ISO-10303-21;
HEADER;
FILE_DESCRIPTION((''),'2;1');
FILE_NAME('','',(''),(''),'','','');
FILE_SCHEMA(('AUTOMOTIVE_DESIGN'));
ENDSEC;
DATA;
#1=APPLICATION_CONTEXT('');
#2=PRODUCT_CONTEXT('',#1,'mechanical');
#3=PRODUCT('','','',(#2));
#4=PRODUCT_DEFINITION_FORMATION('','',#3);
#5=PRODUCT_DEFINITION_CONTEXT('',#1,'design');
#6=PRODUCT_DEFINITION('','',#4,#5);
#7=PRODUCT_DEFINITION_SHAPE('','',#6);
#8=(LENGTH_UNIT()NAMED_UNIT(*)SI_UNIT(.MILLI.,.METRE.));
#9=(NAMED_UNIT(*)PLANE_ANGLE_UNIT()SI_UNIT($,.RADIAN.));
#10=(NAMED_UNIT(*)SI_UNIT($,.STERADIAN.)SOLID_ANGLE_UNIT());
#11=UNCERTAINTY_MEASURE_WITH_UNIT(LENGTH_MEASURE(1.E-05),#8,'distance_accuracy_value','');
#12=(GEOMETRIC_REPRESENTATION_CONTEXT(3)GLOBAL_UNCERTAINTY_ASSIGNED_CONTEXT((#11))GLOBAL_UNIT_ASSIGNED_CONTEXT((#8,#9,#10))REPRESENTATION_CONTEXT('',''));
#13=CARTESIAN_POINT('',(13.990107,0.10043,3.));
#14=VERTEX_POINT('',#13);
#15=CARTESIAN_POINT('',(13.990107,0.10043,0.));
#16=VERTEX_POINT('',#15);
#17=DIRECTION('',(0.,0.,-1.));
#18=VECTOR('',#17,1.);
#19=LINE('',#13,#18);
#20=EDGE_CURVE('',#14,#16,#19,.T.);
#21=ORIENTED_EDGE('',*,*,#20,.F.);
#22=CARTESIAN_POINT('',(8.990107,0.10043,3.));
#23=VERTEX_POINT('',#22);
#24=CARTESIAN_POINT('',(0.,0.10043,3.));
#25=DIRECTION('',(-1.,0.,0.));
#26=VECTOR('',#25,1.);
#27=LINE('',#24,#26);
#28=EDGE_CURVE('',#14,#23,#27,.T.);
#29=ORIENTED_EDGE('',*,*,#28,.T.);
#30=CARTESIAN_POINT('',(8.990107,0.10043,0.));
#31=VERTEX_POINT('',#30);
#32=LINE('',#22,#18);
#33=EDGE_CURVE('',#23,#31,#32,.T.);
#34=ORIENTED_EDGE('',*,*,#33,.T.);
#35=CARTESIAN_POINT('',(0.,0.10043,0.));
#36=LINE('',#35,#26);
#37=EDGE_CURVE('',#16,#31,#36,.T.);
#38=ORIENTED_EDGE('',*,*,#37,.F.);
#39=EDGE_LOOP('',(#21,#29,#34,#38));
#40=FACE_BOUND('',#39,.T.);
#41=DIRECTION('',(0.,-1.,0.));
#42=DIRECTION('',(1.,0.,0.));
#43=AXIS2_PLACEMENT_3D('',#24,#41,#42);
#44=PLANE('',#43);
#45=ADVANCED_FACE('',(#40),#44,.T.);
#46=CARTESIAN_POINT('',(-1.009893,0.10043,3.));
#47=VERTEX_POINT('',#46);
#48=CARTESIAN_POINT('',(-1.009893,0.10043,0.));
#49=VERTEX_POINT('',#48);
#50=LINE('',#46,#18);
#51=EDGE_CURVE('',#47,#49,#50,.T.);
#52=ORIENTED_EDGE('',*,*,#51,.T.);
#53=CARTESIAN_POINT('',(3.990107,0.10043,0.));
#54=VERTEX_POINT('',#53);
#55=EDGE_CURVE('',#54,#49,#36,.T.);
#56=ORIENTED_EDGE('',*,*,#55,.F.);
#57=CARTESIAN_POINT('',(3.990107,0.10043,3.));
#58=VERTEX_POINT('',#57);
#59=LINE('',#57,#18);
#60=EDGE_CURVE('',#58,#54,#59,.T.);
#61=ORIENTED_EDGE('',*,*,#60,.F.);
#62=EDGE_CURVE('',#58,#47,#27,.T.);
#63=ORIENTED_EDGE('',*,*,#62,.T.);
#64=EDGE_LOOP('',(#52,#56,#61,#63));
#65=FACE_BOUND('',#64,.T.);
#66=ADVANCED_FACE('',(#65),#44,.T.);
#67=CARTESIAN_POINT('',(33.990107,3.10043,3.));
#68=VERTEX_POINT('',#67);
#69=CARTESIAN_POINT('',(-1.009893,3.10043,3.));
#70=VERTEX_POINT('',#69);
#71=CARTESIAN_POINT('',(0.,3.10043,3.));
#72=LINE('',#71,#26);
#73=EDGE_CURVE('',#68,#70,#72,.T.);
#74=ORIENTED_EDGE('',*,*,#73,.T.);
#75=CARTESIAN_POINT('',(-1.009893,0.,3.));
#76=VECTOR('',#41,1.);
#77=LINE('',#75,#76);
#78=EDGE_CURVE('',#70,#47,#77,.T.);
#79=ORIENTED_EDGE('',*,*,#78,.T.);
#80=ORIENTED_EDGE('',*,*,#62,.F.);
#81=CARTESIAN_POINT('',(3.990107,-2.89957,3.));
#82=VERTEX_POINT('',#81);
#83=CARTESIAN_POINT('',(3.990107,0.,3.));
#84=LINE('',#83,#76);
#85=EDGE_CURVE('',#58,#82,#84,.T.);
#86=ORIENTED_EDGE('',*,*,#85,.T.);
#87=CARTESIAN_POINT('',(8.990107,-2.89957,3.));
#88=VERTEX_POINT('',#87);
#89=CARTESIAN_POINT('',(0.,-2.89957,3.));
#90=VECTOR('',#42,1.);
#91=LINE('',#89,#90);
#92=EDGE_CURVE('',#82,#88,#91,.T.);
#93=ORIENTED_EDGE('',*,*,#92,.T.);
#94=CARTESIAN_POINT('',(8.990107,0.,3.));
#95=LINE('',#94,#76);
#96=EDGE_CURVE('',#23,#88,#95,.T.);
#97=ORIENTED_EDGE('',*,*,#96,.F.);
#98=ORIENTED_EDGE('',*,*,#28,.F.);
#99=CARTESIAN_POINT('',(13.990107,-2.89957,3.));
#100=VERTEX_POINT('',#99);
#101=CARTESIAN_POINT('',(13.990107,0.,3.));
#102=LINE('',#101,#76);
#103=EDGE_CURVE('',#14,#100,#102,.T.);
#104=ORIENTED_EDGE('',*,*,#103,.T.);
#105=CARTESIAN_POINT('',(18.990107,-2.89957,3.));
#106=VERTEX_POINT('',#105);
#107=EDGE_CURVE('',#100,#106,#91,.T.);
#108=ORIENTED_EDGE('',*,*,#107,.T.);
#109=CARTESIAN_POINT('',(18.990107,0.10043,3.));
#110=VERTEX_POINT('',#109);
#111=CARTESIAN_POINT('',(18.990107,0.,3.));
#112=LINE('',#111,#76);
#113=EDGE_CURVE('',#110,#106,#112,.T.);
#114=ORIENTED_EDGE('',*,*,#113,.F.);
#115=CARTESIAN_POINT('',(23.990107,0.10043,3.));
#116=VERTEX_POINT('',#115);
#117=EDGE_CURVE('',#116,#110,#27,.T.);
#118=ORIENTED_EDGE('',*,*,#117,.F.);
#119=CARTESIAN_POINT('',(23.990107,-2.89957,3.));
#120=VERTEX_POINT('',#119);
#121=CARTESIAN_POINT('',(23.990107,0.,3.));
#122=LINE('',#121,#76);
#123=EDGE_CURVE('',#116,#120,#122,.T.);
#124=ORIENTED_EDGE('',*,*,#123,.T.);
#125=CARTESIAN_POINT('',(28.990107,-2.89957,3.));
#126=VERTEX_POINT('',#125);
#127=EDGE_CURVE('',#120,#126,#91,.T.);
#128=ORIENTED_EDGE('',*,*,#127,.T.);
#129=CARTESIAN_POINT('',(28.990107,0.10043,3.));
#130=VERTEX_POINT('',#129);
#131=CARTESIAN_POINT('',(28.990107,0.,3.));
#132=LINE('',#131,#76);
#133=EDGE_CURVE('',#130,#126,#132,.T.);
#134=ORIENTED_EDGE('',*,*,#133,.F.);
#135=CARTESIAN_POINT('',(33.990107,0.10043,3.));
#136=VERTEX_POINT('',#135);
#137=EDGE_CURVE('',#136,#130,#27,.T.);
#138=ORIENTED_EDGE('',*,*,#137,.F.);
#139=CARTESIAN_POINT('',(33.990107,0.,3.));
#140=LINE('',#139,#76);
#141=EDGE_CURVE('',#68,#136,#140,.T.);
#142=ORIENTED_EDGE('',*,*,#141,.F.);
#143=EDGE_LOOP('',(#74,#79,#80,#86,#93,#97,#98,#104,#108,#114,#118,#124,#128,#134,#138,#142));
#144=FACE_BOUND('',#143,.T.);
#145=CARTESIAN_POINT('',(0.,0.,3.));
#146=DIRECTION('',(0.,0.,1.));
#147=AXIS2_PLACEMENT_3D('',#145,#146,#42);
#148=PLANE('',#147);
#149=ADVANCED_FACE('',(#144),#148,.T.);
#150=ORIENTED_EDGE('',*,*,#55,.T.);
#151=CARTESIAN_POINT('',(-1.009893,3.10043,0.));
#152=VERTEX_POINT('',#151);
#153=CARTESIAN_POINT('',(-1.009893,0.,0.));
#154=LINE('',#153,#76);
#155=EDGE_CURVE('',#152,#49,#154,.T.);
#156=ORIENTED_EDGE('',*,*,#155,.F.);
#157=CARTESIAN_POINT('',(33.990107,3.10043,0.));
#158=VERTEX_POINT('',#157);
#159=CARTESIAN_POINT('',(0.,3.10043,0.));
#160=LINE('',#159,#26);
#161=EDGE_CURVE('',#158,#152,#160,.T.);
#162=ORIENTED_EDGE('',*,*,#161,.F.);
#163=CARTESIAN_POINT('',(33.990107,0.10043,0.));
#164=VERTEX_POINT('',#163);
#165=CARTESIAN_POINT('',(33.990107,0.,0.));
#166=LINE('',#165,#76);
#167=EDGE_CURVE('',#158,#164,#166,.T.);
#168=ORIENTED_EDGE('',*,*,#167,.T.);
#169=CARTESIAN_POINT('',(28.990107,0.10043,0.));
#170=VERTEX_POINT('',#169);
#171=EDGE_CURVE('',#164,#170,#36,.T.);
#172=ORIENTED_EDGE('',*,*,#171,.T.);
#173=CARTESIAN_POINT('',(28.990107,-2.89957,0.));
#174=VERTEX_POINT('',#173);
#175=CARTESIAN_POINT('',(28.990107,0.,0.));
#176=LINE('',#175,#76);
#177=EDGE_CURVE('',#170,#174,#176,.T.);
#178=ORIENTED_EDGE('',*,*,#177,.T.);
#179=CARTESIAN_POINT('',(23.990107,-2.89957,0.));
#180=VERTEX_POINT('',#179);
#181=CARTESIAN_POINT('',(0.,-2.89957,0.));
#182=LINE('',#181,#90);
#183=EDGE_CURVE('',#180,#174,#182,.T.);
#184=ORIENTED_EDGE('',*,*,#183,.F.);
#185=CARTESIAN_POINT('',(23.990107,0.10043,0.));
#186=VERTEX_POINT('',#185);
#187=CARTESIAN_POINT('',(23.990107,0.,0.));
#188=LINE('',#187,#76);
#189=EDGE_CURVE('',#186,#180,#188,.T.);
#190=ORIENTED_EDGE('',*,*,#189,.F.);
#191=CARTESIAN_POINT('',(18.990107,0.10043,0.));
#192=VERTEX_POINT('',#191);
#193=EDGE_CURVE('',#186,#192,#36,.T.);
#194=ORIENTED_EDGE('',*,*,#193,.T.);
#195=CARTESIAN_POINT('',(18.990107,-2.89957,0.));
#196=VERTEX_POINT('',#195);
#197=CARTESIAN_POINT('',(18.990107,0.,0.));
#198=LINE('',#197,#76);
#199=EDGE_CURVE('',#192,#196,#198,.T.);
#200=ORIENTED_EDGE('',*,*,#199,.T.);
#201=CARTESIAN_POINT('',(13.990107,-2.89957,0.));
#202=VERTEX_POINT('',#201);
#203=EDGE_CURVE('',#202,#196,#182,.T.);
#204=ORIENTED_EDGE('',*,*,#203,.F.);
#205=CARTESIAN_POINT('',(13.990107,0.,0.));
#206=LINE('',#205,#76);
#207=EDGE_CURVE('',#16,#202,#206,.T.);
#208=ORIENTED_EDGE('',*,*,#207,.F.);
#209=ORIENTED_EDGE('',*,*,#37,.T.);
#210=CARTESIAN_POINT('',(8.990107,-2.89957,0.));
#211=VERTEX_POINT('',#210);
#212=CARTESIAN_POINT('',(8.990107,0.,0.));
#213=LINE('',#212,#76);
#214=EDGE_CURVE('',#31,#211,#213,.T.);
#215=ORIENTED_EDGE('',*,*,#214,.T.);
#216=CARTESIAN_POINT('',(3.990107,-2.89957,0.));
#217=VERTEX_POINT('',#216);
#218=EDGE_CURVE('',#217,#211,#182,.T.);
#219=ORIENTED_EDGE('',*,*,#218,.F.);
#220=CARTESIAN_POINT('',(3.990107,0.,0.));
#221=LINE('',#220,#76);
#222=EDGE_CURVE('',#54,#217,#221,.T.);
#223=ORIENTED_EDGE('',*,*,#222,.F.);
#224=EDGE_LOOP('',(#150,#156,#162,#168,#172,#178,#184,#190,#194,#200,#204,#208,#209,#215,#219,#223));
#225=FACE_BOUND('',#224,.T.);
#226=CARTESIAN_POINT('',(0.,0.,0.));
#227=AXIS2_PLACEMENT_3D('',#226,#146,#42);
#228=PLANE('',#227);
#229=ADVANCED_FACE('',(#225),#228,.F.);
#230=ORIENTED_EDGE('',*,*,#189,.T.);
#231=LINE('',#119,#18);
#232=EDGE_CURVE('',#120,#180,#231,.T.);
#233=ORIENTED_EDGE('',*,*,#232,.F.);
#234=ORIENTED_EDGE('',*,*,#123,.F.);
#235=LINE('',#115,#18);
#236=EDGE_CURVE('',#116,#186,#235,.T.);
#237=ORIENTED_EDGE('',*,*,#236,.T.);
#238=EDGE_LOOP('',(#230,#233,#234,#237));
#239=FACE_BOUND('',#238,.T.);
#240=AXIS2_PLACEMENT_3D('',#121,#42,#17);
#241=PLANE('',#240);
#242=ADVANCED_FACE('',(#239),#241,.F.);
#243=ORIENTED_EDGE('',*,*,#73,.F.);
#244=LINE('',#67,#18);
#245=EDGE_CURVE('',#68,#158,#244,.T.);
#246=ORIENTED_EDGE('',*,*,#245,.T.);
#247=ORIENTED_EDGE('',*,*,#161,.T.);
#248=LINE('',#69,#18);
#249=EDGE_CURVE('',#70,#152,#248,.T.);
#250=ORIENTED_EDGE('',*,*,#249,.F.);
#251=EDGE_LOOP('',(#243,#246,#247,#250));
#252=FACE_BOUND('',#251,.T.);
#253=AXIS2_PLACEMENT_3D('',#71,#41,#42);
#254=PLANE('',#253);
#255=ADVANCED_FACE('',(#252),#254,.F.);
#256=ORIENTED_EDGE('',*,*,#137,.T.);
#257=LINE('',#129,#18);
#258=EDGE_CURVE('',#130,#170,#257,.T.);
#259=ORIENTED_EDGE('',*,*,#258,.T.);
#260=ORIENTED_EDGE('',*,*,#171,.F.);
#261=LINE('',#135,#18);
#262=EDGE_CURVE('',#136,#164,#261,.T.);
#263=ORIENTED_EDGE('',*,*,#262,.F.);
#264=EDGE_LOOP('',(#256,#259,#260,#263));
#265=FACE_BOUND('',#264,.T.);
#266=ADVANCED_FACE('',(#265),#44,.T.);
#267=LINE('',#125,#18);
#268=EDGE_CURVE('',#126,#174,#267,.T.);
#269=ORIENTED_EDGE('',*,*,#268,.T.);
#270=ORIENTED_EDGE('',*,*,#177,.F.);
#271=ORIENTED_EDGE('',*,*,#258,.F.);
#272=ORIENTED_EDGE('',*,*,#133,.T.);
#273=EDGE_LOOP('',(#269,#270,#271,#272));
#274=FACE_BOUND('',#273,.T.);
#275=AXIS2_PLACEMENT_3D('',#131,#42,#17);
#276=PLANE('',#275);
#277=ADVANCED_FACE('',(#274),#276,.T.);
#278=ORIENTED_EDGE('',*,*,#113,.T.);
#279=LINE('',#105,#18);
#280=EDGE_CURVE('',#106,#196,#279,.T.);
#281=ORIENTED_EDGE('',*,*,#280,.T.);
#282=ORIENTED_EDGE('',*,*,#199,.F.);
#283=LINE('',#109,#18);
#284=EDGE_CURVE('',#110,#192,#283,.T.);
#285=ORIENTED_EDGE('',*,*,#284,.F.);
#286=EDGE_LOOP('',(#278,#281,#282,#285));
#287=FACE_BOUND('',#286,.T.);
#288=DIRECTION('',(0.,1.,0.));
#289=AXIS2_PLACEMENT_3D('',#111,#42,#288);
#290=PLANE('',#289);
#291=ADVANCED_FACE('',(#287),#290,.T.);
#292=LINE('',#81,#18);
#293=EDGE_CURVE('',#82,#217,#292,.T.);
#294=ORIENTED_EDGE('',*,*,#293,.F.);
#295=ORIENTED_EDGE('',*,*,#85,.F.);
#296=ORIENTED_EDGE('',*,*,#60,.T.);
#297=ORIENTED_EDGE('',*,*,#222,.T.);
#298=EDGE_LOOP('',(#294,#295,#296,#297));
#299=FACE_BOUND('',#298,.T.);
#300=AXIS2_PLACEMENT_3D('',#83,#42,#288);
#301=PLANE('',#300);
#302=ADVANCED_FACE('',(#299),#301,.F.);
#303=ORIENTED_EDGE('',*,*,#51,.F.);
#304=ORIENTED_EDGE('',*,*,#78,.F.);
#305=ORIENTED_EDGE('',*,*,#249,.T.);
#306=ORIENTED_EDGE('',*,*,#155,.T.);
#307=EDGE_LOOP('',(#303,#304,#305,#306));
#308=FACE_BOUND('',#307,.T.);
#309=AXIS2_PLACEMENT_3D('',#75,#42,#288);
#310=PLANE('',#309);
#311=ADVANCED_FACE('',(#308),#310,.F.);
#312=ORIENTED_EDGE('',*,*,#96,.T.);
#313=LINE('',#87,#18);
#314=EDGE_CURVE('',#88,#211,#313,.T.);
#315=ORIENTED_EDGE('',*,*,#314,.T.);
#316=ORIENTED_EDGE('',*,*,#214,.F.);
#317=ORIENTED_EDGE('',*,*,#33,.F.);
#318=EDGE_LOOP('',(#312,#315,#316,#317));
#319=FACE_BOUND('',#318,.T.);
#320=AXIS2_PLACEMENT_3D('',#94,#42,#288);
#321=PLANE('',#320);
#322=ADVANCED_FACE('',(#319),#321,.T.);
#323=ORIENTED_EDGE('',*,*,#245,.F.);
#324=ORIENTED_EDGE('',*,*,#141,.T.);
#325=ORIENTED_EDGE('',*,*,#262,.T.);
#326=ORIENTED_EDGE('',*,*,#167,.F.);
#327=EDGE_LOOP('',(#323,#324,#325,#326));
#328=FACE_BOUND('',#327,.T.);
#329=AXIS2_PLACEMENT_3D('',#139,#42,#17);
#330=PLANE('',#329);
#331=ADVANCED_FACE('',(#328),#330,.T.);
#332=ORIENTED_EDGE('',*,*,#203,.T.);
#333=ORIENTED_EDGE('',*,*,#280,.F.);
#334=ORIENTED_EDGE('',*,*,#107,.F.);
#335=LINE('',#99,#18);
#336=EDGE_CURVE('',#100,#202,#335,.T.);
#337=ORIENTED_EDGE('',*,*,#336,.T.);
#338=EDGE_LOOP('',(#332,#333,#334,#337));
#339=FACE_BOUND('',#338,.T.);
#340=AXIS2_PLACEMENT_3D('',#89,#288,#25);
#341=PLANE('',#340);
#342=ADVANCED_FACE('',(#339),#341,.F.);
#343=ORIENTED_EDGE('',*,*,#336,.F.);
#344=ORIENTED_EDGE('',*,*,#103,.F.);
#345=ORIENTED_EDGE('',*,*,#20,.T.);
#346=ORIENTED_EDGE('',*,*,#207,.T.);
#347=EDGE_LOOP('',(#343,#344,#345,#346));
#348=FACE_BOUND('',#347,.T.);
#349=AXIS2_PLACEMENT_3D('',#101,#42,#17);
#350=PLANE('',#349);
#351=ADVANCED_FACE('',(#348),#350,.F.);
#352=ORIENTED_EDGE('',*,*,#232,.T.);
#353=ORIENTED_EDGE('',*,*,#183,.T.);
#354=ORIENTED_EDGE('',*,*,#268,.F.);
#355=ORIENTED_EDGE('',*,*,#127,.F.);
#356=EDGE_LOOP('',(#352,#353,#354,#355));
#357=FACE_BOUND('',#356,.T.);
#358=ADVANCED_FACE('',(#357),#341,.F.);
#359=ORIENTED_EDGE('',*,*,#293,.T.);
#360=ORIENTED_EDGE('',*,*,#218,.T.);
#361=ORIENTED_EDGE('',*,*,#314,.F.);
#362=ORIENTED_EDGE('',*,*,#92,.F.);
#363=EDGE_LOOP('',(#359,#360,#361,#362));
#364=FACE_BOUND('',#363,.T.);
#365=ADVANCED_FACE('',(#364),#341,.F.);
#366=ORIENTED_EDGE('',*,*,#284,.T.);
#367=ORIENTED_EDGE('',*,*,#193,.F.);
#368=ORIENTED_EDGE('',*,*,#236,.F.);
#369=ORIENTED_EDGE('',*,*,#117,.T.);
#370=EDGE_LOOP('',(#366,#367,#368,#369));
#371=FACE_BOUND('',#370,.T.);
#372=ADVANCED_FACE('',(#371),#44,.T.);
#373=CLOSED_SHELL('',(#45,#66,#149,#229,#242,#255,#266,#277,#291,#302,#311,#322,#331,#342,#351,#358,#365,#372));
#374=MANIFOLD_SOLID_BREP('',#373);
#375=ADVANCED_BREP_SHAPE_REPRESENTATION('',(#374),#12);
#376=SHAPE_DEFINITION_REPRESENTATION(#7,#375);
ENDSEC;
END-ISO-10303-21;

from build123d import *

# Parameters (mm, degrees)
BOSS_EXTRU_1_DEPTH = 3


with BuildPart() as part:
    # Esquisse1 → Boss.-Extru.1 (new body)
    with BuildSketch(Plane.XY):
        Polygon((18.990106642, -2.899569673), (18.990106642, 0.100430327), (23.990106642, 0.100430327), (23.990106642, -2.899569673), (28.990106642, -2.899569673), (28.990106642, 0.100430327), (33.990106642, 0.100430327), (33.990106642, 3.100430327), (-1.009893358, 3.100430327), (-1.009893358, 0.100430327), (3.990106642, 0.100430327), (3.990106642, -2.899569673), (8.990106642, -2.899569673), (8.990106642, 0.100430327), (13.990106642, 0.100430327), (13.990106642, -2.899569673), align=None)
    extrude(amount=BOSS_EXTRU_1_DEPTH)


solid = part.part
